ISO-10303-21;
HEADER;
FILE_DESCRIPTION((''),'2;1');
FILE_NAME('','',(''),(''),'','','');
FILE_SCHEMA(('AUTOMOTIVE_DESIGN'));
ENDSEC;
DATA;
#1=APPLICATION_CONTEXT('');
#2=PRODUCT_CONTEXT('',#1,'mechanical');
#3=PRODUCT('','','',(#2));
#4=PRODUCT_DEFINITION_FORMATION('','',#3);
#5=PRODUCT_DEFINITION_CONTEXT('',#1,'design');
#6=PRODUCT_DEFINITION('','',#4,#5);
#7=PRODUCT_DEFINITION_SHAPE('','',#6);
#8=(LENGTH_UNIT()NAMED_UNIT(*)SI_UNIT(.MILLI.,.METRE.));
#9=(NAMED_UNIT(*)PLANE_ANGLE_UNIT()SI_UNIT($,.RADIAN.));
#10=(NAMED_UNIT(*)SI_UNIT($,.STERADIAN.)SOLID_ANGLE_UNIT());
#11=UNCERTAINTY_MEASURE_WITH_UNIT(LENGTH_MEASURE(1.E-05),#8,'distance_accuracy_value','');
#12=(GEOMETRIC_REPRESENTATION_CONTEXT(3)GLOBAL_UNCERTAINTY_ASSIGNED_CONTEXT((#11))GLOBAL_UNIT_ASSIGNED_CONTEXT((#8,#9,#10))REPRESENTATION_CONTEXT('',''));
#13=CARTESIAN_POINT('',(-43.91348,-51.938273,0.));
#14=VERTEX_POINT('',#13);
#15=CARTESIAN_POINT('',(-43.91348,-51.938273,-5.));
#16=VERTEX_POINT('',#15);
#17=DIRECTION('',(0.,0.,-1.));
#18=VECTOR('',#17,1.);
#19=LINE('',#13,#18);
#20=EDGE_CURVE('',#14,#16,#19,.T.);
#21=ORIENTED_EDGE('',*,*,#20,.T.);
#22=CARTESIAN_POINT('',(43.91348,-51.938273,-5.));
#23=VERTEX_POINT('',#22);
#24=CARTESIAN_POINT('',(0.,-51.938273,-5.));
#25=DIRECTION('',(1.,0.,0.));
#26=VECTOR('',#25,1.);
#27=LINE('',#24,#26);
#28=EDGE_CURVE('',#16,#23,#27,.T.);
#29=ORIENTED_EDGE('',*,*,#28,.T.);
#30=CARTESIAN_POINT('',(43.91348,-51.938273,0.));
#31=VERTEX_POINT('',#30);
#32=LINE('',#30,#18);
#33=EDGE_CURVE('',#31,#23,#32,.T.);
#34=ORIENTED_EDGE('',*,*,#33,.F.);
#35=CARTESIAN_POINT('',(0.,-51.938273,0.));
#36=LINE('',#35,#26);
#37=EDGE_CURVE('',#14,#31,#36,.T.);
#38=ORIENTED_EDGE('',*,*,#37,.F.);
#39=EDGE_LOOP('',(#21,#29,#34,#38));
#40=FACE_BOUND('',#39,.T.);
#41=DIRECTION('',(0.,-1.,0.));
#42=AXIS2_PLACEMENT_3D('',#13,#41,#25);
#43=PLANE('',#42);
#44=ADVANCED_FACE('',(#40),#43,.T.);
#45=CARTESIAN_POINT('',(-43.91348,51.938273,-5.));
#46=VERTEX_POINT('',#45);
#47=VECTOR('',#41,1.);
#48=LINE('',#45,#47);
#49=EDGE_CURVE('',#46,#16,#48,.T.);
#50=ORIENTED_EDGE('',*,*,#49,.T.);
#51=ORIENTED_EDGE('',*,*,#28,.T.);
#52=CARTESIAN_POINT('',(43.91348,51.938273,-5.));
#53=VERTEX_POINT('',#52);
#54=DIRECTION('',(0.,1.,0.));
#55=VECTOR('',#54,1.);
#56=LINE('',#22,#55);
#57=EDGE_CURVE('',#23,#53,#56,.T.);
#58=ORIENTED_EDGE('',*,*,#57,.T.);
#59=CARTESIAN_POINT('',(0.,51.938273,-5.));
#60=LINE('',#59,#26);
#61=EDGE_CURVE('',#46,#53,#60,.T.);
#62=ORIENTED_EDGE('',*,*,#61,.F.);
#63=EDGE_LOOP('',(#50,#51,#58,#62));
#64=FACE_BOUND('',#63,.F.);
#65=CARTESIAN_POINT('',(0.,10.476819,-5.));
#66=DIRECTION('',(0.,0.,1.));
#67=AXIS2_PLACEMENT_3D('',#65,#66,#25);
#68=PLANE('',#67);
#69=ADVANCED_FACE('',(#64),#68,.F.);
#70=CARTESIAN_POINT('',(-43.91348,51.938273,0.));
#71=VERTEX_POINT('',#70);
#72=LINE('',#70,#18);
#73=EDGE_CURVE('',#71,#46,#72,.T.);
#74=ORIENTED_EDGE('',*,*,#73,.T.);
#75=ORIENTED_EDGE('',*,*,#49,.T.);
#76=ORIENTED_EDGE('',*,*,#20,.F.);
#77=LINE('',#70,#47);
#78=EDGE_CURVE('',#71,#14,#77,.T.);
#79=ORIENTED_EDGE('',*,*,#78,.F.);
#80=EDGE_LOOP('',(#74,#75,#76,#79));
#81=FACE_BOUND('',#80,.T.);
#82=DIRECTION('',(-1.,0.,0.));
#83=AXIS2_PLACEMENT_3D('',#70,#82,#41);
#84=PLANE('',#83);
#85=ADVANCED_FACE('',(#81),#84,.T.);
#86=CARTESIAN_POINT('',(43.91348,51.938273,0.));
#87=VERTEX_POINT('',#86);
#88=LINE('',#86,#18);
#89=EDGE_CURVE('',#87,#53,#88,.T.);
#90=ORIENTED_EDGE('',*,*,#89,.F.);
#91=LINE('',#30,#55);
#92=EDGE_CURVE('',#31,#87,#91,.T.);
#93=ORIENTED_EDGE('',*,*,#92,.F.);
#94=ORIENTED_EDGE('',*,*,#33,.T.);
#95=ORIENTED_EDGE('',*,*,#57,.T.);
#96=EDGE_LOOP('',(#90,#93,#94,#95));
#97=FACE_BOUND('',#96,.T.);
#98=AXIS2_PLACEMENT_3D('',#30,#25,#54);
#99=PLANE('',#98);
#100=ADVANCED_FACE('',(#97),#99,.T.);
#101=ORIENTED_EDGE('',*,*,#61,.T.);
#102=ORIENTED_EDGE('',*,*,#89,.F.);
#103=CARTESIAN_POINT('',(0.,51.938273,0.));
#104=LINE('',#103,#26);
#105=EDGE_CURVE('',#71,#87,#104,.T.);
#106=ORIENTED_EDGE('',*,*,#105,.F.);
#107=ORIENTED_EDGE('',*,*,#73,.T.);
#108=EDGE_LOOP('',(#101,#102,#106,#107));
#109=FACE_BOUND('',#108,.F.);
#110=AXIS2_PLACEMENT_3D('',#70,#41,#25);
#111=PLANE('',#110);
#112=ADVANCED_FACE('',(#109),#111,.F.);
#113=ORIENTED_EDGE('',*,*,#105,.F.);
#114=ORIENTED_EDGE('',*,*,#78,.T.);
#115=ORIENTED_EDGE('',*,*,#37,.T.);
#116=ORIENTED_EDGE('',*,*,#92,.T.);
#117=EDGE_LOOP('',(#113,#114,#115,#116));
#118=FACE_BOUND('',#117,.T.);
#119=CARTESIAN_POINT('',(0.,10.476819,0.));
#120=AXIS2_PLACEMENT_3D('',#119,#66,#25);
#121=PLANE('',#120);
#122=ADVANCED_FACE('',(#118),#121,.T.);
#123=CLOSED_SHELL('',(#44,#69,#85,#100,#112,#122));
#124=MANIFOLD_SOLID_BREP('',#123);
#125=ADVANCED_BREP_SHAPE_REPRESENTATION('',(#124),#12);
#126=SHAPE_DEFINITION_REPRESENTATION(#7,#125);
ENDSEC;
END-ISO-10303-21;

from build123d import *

# Parameters (mm, degrees)
F0_W     = 87.82696
F0_H     = 82.922908
F0_H_2   = 20.953638
F1_DEPTH = 5


with BuildPart() as f1:
    # F0 (on Top) → F1 (new body)
    with BuildSketch(Plane.XY):
        with Locations((0, 10.476819)):
            Rectangle(F0_W, F0_H)
        with Locations((0, -41.461454)):
            Rectangle(F0_W, F0_H_2)
    extrude(amount=-F1_DEPTH)


solid = f1.part
